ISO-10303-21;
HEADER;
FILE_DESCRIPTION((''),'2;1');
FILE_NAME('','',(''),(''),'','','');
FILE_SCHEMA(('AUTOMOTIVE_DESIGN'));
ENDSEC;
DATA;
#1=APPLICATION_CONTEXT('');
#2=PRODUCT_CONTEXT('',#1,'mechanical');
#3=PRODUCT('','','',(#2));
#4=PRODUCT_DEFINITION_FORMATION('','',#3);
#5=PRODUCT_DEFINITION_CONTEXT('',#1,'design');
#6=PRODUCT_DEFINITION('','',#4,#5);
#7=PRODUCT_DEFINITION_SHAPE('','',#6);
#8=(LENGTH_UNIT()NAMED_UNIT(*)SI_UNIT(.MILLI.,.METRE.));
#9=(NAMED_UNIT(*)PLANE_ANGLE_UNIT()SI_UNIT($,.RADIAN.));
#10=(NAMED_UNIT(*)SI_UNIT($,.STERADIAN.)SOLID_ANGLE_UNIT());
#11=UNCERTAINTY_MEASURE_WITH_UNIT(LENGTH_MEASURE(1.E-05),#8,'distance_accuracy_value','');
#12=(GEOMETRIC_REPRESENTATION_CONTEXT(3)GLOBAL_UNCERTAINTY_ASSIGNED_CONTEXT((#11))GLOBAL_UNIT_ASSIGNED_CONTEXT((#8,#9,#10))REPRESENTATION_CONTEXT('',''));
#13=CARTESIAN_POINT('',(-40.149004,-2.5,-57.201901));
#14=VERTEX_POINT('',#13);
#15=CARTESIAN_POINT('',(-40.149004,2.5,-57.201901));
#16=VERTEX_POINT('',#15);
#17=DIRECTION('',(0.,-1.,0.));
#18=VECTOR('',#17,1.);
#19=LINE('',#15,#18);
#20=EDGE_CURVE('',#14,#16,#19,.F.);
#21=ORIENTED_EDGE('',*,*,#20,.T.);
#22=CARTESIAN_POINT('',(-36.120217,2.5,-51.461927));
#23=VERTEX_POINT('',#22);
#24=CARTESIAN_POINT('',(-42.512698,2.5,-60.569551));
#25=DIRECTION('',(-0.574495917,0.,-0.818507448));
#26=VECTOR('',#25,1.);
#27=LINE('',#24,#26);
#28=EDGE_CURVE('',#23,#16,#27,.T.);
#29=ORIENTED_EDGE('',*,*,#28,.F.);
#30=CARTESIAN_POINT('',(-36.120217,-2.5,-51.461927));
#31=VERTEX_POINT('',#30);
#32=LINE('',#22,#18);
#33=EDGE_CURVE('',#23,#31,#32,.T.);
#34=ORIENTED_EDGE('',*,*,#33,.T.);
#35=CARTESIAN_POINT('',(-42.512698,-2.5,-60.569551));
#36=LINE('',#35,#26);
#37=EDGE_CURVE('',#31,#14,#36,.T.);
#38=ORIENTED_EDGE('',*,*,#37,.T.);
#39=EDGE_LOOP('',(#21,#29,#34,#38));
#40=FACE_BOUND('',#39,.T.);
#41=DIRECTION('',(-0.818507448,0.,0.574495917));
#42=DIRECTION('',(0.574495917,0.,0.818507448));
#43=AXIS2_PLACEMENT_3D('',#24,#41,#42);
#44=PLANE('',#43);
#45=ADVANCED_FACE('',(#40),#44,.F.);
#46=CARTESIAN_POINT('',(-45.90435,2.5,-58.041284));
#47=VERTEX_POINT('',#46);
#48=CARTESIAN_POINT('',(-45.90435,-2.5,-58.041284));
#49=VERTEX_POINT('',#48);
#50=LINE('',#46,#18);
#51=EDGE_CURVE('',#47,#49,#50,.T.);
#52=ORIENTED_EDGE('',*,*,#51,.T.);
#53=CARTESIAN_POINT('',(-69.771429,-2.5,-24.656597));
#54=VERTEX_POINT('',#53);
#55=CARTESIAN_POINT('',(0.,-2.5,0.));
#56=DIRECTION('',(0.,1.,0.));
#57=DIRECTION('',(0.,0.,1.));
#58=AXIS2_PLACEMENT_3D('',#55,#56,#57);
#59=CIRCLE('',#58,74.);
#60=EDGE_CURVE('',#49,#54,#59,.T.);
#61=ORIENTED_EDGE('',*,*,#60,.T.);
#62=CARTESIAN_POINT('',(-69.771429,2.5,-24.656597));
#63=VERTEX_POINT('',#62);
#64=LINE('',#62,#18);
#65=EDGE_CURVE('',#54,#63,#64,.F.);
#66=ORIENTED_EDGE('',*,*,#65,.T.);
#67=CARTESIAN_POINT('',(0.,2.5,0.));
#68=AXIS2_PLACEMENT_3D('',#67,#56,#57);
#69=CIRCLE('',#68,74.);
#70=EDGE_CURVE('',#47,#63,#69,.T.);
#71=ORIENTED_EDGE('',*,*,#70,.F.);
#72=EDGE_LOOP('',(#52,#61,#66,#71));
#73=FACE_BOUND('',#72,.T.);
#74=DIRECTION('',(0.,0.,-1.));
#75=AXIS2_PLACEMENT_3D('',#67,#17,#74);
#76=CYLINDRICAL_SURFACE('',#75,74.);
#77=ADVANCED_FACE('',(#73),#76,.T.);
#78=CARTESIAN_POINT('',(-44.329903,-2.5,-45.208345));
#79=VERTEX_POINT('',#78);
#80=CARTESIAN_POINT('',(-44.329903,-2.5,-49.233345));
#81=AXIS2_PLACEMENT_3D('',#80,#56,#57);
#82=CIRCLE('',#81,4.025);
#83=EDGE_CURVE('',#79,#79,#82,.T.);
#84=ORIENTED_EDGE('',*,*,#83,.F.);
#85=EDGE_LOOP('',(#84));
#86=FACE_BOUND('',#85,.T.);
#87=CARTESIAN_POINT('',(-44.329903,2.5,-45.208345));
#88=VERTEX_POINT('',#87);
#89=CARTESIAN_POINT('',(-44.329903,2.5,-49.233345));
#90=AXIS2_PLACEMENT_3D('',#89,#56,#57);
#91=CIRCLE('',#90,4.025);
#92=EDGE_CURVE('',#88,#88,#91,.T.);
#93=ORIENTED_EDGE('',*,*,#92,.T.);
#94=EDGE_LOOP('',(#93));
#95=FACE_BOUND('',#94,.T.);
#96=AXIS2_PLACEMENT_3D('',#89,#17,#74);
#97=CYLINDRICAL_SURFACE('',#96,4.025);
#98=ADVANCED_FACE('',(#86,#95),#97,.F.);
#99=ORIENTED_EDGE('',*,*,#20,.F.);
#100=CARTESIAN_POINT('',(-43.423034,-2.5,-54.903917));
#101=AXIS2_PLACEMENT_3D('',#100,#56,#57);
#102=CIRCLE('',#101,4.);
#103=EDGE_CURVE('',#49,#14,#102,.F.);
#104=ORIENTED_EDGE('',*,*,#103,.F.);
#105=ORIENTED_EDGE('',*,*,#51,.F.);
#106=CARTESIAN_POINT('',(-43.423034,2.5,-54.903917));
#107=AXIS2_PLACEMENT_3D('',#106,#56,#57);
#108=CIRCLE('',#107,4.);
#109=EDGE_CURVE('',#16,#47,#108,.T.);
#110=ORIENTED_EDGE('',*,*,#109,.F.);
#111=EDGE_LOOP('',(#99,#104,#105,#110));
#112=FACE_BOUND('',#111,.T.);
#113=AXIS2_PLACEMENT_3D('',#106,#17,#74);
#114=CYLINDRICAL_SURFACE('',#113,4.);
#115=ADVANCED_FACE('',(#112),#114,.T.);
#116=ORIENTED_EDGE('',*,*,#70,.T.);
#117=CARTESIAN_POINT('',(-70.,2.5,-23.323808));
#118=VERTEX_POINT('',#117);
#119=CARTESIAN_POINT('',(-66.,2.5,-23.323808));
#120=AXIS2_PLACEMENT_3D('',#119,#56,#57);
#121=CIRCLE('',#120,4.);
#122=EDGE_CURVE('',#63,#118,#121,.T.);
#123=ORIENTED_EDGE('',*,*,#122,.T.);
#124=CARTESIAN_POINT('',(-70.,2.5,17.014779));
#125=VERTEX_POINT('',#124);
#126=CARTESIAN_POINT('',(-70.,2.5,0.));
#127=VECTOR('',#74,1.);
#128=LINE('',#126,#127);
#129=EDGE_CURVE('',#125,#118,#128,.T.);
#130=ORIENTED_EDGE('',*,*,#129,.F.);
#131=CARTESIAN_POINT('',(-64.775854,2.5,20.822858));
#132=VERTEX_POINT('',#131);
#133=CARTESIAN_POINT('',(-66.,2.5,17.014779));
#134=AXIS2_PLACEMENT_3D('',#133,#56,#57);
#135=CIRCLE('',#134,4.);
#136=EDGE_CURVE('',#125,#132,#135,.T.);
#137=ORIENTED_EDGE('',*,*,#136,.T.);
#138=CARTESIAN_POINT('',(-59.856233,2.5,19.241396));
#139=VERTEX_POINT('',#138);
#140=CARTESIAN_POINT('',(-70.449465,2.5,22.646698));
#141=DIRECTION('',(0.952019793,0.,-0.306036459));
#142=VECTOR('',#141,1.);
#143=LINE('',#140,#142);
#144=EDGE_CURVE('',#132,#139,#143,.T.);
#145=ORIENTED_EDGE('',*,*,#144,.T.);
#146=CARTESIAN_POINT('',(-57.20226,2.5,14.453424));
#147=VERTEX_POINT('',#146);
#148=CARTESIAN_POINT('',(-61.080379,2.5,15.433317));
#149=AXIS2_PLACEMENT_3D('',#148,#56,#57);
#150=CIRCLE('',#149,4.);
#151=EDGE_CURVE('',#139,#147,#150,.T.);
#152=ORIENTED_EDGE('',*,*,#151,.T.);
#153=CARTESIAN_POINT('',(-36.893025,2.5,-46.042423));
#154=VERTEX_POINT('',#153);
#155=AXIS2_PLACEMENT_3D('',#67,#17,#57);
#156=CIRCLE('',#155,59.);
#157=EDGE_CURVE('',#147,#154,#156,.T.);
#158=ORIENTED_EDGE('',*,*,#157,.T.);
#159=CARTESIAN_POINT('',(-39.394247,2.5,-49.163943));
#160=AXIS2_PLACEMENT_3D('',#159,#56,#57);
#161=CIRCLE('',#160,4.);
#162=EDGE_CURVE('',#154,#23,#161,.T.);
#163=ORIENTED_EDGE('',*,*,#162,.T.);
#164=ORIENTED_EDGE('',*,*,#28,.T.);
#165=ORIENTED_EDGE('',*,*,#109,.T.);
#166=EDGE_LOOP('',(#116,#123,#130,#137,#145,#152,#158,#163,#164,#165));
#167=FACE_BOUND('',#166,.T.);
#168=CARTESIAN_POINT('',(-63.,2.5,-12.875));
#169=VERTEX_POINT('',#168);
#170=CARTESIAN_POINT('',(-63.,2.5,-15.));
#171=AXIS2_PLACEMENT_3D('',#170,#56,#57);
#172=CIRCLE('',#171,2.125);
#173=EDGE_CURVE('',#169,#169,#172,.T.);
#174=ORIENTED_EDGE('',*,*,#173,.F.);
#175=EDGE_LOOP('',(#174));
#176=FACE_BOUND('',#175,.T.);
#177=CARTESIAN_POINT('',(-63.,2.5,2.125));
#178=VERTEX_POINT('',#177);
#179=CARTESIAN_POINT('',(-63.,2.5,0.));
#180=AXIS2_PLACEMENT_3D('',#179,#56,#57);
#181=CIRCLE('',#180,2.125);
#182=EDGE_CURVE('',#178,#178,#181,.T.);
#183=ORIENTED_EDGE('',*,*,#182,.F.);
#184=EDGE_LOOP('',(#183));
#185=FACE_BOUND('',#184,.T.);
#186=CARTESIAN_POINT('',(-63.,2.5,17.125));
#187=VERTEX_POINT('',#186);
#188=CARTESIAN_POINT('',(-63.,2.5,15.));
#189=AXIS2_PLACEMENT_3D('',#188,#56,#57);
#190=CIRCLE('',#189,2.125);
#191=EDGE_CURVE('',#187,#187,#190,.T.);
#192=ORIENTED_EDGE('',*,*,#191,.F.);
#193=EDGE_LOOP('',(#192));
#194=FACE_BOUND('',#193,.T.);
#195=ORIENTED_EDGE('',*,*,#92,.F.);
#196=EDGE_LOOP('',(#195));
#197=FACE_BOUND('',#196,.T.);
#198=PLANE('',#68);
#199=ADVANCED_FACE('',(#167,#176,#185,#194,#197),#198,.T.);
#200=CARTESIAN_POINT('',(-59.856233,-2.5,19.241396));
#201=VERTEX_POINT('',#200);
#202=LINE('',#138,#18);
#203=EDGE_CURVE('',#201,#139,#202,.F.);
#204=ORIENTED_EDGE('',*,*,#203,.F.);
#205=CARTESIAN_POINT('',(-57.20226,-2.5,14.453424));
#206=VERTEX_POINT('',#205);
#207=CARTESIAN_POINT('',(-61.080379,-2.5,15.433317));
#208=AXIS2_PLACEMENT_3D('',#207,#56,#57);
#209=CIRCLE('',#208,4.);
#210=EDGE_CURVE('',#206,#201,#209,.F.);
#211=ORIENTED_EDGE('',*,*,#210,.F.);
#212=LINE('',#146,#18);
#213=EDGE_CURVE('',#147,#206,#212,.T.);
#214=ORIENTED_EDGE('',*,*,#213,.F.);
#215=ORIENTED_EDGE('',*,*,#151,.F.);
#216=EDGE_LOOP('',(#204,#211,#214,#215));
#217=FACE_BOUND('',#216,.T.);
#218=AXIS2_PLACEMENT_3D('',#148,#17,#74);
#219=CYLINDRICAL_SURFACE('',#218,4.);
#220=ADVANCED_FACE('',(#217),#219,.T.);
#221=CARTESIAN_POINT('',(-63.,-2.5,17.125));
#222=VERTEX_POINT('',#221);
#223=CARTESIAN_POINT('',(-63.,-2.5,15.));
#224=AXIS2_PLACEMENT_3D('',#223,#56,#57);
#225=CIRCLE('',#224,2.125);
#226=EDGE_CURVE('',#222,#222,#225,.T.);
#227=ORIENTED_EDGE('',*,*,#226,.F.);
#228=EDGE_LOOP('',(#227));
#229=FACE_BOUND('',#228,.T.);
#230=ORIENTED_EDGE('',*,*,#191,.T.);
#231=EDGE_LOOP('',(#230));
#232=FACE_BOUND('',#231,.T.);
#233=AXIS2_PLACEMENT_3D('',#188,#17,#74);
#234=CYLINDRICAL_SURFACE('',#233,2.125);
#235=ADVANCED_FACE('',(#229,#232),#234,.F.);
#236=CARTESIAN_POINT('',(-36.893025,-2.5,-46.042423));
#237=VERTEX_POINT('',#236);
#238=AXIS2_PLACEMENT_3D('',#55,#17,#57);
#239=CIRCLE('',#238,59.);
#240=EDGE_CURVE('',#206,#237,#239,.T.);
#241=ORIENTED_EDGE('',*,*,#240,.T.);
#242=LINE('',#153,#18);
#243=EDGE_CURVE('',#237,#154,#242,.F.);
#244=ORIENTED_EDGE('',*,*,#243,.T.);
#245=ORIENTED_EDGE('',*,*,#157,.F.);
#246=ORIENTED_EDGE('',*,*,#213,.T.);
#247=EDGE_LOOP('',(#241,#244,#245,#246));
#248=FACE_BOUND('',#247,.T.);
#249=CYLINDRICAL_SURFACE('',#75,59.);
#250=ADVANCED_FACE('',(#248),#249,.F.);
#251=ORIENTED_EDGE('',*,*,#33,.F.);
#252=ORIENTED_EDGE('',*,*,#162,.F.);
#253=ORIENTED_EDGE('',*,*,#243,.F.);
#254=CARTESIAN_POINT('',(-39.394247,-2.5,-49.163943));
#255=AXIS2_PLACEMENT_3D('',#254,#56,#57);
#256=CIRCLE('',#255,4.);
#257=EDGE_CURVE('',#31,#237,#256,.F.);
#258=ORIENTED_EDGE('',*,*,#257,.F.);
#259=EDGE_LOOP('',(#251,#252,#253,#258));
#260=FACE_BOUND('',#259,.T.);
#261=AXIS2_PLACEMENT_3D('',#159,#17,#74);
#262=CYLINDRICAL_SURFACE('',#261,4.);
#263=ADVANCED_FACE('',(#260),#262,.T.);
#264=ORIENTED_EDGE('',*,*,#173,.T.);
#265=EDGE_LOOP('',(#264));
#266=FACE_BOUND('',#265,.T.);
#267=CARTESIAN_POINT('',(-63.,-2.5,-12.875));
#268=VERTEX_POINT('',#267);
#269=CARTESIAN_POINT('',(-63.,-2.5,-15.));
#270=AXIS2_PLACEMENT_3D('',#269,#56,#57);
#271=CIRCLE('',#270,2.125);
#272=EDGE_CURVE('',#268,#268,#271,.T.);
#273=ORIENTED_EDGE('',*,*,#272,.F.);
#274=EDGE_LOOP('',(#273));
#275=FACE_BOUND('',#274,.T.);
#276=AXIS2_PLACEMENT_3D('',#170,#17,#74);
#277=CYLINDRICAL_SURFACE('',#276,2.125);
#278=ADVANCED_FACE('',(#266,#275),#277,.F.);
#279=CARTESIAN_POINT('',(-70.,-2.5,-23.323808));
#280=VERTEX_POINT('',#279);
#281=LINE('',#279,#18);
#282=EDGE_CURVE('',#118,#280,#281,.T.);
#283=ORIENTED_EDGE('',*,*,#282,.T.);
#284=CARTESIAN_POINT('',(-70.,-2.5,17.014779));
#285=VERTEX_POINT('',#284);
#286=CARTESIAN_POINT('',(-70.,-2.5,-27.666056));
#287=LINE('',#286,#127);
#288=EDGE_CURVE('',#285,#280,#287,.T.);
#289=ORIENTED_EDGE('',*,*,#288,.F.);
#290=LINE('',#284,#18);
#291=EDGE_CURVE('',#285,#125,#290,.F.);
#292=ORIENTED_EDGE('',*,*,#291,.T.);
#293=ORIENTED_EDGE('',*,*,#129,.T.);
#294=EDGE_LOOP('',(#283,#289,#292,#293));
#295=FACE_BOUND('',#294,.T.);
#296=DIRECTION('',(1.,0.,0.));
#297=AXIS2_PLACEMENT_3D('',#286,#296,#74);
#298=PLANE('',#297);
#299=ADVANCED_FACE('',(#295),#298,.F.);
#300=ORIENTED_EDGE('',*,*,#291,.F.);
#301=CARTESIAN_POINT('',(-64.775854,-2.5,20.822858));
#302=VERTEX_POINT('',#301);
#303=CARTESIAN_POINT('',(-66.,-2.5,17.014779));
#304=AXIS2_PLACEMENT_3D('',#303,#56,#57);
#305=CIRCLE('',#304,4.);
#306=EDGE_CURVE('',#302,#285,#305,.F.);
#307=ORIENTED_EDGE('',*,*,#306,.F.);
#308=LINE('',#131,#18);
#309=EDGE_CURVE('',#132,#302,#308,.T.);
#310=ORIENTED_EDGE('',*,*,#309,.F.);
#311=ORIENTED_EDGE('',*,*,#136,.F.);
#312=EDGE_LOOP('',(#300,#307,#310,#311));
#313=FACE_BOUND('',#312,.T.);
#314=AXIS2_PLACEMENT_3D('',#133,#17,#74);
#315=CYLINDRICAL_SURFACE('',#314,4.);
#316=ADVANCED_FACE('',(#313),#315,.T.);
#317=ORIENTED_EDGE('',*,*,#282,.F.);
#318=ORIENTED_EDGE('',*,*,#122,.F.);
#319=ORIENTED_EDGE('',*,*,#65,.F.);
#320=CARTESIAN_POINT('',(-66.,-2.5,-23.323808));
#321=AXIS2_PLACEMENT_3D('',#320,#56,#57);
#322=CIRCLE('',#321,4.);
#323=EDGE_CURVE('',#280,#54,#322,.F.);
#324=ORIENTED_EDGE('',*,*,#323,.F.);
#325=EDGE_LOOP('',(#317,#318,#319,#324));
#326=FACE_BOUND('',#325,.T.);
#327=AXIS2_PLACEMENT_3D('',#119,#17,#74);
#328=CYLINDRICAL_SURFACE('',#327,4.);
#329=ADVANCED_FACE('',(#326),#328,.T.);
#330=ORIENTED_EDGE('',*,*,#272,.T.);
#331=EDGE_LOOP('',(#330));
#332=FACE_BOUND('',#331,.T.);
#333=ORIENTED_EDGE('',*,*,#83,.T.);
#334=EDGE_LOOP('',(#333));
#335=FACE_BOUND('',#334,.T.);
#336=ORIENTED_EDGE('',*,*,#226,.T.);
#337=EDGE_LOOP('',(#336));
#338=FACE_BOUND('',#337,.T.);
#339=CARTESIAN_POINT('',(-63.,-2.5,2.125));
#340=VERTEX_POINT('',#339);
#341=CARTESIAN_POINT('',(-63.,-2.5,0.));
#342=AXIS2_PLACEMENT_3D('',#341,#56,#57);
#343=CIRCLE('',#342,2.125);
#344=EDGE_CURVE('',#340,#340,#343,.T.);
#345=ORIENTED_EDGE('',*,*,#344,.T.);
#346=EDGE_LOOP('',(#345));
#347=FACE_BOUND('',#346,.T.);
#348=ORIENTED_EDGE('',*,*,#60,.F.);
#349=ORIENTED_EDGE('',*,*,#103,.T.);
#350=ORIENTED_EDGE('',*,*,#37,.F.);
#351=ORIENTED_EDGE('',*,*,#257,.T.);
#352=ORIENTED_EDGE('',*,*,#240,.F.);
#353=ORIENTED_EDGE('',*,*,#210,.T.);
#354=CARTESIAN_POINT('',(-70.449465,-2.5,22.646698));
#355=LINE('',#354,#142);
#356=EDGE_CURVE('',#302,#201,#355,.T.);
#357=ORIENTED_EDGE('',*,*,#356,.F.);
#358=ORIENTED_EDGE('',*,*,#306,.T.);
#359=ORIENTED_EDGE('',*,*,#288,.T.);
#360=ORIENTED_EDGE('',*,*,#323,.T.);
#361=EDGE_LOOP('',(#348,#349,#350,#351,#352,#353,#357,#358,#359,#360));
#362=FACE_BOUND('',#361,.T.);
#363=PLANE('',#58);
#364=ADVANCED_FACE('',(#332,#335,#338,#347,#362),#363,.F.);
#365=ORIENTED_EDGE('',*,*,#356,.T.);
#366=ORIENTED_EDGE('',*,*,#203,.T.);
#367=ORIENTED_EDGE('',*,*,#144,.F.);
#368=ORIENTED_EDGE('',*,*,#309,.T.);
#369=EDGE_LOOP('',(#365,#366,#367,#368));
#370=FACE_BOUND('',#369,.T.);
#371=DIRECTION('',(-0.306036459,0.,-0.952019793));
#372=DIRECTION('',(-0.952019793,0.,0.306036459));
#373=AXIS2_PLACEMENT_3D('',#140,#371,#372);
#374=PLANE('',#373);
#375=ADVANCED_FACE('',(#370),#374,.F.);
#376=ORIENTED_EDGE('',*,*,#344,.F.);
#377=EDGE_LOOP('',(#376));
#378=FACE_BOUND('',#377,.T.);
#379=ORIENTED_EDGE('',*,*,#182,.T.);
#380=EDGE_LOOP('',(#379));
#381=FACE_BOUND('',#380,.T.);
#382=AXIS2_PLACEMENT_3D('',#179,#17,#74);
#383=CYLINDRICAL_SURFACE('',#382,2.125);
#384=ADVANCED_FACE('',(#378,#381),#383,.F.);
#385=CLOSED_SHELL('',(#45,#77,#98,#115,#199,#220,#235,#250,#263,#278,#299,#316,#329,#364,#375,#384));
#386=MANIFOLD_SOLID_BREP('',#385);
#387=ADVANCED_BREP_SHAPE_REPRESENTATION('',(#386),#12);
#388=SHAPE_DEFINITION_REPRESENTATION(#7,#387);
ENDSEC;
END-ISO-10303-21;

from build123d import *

# Parameters (mm, degrees)
SKETCH1_R               = 4.025
SKETCH1_R_2             = 2.125
BOSS_EXTRUDE1_DEPTH     = 2.5
SKETCH2_W               = 28.904595792
SKETCH2_H               = 55.332112
CUT_EXTRUDE1_DEPTH      = 1
CUT_EXTRUDE1_DEPTH_BACK = 6
FILLET1_R               = 4


with BuildPart() as part:
    # Sketch1 → Boss-Extrude1 (new body, symmetric)
    with BuildSketch(Plane(origin=(0, 0, 0), x_dir=(1, 0, 0), z_dir=(0, 1, 0))):
        with BuildLine():
            Line((-42.512697833, 60.569551121), (-33.895259083, 48.291939407))
            ThreePointArc((-33.895259083, 48.291939407), (-55.932258345, 18.777179671), (-56.169167779, -18.056151058))
            Line((-56.169167779, -18.056151058), (-70.449464672, -22.646697938))
            ThreePointArc((-70.449464672, -22.646697938), (-70.152324026, 23.55103891), (-42.512697833, 60.569551121))
        make_face()
        with Locations((-44.329902671, 49.233344688)):
            Circle(SKETCH1_R, mode=Mode.SUBTRACT)
        with Locations((-63, 0)):
            Circle(SKETCH1_R_2, mode=Mode.SUBTRACT)
        with Locations((-63, -15)):
            Circle(SKETCH1_R_2, mode=Mode.SUBTRACT)
        with Locations((-63, 15)):
            Circle(SKETCH1_R_2, mode=Mode.SUBTRACT)
    extrude(amount=BOSS_EXTRUDE1_DEPTH, both=True)

    # Sketch2 → Cut-Extrude1 (cut, two sides)
    with BuildSketch(Plane(origin=(0, 2.5, 0), x_dir=(1, 0, 0), z_dir=(0, 1, 0))) as cut_extrude1_sk:
        with Locations((-84.452297896, 0)):
            Rectangle(SKETCH2_W, SKETCH2_H)
    extrude(amount=CUT_EXTRUDE1_DEPTH, mode=Mode.SUBTRACT)
    extrude(cut_extrude1_sk.sketch, amount=-CUT_EXTRUDE1_DEPTH_BACK, mode=Mode.SUBTRACT)

    # Fillet1
    fillet1_edges = [part.edges().sort_by_distance(p)[0] for p in [
        (-70, 0, 22.502212941),
        (-70, 0, -24),
        (-42.512697833, 0, -60.569551121),
        (-33.895259083, 0, -48.291939407),
        (-56.169167779, 0, 18.056151058),
    ]]
    fillet(fillet1_edges, radius=FILLET1_R)


solid = part.part
